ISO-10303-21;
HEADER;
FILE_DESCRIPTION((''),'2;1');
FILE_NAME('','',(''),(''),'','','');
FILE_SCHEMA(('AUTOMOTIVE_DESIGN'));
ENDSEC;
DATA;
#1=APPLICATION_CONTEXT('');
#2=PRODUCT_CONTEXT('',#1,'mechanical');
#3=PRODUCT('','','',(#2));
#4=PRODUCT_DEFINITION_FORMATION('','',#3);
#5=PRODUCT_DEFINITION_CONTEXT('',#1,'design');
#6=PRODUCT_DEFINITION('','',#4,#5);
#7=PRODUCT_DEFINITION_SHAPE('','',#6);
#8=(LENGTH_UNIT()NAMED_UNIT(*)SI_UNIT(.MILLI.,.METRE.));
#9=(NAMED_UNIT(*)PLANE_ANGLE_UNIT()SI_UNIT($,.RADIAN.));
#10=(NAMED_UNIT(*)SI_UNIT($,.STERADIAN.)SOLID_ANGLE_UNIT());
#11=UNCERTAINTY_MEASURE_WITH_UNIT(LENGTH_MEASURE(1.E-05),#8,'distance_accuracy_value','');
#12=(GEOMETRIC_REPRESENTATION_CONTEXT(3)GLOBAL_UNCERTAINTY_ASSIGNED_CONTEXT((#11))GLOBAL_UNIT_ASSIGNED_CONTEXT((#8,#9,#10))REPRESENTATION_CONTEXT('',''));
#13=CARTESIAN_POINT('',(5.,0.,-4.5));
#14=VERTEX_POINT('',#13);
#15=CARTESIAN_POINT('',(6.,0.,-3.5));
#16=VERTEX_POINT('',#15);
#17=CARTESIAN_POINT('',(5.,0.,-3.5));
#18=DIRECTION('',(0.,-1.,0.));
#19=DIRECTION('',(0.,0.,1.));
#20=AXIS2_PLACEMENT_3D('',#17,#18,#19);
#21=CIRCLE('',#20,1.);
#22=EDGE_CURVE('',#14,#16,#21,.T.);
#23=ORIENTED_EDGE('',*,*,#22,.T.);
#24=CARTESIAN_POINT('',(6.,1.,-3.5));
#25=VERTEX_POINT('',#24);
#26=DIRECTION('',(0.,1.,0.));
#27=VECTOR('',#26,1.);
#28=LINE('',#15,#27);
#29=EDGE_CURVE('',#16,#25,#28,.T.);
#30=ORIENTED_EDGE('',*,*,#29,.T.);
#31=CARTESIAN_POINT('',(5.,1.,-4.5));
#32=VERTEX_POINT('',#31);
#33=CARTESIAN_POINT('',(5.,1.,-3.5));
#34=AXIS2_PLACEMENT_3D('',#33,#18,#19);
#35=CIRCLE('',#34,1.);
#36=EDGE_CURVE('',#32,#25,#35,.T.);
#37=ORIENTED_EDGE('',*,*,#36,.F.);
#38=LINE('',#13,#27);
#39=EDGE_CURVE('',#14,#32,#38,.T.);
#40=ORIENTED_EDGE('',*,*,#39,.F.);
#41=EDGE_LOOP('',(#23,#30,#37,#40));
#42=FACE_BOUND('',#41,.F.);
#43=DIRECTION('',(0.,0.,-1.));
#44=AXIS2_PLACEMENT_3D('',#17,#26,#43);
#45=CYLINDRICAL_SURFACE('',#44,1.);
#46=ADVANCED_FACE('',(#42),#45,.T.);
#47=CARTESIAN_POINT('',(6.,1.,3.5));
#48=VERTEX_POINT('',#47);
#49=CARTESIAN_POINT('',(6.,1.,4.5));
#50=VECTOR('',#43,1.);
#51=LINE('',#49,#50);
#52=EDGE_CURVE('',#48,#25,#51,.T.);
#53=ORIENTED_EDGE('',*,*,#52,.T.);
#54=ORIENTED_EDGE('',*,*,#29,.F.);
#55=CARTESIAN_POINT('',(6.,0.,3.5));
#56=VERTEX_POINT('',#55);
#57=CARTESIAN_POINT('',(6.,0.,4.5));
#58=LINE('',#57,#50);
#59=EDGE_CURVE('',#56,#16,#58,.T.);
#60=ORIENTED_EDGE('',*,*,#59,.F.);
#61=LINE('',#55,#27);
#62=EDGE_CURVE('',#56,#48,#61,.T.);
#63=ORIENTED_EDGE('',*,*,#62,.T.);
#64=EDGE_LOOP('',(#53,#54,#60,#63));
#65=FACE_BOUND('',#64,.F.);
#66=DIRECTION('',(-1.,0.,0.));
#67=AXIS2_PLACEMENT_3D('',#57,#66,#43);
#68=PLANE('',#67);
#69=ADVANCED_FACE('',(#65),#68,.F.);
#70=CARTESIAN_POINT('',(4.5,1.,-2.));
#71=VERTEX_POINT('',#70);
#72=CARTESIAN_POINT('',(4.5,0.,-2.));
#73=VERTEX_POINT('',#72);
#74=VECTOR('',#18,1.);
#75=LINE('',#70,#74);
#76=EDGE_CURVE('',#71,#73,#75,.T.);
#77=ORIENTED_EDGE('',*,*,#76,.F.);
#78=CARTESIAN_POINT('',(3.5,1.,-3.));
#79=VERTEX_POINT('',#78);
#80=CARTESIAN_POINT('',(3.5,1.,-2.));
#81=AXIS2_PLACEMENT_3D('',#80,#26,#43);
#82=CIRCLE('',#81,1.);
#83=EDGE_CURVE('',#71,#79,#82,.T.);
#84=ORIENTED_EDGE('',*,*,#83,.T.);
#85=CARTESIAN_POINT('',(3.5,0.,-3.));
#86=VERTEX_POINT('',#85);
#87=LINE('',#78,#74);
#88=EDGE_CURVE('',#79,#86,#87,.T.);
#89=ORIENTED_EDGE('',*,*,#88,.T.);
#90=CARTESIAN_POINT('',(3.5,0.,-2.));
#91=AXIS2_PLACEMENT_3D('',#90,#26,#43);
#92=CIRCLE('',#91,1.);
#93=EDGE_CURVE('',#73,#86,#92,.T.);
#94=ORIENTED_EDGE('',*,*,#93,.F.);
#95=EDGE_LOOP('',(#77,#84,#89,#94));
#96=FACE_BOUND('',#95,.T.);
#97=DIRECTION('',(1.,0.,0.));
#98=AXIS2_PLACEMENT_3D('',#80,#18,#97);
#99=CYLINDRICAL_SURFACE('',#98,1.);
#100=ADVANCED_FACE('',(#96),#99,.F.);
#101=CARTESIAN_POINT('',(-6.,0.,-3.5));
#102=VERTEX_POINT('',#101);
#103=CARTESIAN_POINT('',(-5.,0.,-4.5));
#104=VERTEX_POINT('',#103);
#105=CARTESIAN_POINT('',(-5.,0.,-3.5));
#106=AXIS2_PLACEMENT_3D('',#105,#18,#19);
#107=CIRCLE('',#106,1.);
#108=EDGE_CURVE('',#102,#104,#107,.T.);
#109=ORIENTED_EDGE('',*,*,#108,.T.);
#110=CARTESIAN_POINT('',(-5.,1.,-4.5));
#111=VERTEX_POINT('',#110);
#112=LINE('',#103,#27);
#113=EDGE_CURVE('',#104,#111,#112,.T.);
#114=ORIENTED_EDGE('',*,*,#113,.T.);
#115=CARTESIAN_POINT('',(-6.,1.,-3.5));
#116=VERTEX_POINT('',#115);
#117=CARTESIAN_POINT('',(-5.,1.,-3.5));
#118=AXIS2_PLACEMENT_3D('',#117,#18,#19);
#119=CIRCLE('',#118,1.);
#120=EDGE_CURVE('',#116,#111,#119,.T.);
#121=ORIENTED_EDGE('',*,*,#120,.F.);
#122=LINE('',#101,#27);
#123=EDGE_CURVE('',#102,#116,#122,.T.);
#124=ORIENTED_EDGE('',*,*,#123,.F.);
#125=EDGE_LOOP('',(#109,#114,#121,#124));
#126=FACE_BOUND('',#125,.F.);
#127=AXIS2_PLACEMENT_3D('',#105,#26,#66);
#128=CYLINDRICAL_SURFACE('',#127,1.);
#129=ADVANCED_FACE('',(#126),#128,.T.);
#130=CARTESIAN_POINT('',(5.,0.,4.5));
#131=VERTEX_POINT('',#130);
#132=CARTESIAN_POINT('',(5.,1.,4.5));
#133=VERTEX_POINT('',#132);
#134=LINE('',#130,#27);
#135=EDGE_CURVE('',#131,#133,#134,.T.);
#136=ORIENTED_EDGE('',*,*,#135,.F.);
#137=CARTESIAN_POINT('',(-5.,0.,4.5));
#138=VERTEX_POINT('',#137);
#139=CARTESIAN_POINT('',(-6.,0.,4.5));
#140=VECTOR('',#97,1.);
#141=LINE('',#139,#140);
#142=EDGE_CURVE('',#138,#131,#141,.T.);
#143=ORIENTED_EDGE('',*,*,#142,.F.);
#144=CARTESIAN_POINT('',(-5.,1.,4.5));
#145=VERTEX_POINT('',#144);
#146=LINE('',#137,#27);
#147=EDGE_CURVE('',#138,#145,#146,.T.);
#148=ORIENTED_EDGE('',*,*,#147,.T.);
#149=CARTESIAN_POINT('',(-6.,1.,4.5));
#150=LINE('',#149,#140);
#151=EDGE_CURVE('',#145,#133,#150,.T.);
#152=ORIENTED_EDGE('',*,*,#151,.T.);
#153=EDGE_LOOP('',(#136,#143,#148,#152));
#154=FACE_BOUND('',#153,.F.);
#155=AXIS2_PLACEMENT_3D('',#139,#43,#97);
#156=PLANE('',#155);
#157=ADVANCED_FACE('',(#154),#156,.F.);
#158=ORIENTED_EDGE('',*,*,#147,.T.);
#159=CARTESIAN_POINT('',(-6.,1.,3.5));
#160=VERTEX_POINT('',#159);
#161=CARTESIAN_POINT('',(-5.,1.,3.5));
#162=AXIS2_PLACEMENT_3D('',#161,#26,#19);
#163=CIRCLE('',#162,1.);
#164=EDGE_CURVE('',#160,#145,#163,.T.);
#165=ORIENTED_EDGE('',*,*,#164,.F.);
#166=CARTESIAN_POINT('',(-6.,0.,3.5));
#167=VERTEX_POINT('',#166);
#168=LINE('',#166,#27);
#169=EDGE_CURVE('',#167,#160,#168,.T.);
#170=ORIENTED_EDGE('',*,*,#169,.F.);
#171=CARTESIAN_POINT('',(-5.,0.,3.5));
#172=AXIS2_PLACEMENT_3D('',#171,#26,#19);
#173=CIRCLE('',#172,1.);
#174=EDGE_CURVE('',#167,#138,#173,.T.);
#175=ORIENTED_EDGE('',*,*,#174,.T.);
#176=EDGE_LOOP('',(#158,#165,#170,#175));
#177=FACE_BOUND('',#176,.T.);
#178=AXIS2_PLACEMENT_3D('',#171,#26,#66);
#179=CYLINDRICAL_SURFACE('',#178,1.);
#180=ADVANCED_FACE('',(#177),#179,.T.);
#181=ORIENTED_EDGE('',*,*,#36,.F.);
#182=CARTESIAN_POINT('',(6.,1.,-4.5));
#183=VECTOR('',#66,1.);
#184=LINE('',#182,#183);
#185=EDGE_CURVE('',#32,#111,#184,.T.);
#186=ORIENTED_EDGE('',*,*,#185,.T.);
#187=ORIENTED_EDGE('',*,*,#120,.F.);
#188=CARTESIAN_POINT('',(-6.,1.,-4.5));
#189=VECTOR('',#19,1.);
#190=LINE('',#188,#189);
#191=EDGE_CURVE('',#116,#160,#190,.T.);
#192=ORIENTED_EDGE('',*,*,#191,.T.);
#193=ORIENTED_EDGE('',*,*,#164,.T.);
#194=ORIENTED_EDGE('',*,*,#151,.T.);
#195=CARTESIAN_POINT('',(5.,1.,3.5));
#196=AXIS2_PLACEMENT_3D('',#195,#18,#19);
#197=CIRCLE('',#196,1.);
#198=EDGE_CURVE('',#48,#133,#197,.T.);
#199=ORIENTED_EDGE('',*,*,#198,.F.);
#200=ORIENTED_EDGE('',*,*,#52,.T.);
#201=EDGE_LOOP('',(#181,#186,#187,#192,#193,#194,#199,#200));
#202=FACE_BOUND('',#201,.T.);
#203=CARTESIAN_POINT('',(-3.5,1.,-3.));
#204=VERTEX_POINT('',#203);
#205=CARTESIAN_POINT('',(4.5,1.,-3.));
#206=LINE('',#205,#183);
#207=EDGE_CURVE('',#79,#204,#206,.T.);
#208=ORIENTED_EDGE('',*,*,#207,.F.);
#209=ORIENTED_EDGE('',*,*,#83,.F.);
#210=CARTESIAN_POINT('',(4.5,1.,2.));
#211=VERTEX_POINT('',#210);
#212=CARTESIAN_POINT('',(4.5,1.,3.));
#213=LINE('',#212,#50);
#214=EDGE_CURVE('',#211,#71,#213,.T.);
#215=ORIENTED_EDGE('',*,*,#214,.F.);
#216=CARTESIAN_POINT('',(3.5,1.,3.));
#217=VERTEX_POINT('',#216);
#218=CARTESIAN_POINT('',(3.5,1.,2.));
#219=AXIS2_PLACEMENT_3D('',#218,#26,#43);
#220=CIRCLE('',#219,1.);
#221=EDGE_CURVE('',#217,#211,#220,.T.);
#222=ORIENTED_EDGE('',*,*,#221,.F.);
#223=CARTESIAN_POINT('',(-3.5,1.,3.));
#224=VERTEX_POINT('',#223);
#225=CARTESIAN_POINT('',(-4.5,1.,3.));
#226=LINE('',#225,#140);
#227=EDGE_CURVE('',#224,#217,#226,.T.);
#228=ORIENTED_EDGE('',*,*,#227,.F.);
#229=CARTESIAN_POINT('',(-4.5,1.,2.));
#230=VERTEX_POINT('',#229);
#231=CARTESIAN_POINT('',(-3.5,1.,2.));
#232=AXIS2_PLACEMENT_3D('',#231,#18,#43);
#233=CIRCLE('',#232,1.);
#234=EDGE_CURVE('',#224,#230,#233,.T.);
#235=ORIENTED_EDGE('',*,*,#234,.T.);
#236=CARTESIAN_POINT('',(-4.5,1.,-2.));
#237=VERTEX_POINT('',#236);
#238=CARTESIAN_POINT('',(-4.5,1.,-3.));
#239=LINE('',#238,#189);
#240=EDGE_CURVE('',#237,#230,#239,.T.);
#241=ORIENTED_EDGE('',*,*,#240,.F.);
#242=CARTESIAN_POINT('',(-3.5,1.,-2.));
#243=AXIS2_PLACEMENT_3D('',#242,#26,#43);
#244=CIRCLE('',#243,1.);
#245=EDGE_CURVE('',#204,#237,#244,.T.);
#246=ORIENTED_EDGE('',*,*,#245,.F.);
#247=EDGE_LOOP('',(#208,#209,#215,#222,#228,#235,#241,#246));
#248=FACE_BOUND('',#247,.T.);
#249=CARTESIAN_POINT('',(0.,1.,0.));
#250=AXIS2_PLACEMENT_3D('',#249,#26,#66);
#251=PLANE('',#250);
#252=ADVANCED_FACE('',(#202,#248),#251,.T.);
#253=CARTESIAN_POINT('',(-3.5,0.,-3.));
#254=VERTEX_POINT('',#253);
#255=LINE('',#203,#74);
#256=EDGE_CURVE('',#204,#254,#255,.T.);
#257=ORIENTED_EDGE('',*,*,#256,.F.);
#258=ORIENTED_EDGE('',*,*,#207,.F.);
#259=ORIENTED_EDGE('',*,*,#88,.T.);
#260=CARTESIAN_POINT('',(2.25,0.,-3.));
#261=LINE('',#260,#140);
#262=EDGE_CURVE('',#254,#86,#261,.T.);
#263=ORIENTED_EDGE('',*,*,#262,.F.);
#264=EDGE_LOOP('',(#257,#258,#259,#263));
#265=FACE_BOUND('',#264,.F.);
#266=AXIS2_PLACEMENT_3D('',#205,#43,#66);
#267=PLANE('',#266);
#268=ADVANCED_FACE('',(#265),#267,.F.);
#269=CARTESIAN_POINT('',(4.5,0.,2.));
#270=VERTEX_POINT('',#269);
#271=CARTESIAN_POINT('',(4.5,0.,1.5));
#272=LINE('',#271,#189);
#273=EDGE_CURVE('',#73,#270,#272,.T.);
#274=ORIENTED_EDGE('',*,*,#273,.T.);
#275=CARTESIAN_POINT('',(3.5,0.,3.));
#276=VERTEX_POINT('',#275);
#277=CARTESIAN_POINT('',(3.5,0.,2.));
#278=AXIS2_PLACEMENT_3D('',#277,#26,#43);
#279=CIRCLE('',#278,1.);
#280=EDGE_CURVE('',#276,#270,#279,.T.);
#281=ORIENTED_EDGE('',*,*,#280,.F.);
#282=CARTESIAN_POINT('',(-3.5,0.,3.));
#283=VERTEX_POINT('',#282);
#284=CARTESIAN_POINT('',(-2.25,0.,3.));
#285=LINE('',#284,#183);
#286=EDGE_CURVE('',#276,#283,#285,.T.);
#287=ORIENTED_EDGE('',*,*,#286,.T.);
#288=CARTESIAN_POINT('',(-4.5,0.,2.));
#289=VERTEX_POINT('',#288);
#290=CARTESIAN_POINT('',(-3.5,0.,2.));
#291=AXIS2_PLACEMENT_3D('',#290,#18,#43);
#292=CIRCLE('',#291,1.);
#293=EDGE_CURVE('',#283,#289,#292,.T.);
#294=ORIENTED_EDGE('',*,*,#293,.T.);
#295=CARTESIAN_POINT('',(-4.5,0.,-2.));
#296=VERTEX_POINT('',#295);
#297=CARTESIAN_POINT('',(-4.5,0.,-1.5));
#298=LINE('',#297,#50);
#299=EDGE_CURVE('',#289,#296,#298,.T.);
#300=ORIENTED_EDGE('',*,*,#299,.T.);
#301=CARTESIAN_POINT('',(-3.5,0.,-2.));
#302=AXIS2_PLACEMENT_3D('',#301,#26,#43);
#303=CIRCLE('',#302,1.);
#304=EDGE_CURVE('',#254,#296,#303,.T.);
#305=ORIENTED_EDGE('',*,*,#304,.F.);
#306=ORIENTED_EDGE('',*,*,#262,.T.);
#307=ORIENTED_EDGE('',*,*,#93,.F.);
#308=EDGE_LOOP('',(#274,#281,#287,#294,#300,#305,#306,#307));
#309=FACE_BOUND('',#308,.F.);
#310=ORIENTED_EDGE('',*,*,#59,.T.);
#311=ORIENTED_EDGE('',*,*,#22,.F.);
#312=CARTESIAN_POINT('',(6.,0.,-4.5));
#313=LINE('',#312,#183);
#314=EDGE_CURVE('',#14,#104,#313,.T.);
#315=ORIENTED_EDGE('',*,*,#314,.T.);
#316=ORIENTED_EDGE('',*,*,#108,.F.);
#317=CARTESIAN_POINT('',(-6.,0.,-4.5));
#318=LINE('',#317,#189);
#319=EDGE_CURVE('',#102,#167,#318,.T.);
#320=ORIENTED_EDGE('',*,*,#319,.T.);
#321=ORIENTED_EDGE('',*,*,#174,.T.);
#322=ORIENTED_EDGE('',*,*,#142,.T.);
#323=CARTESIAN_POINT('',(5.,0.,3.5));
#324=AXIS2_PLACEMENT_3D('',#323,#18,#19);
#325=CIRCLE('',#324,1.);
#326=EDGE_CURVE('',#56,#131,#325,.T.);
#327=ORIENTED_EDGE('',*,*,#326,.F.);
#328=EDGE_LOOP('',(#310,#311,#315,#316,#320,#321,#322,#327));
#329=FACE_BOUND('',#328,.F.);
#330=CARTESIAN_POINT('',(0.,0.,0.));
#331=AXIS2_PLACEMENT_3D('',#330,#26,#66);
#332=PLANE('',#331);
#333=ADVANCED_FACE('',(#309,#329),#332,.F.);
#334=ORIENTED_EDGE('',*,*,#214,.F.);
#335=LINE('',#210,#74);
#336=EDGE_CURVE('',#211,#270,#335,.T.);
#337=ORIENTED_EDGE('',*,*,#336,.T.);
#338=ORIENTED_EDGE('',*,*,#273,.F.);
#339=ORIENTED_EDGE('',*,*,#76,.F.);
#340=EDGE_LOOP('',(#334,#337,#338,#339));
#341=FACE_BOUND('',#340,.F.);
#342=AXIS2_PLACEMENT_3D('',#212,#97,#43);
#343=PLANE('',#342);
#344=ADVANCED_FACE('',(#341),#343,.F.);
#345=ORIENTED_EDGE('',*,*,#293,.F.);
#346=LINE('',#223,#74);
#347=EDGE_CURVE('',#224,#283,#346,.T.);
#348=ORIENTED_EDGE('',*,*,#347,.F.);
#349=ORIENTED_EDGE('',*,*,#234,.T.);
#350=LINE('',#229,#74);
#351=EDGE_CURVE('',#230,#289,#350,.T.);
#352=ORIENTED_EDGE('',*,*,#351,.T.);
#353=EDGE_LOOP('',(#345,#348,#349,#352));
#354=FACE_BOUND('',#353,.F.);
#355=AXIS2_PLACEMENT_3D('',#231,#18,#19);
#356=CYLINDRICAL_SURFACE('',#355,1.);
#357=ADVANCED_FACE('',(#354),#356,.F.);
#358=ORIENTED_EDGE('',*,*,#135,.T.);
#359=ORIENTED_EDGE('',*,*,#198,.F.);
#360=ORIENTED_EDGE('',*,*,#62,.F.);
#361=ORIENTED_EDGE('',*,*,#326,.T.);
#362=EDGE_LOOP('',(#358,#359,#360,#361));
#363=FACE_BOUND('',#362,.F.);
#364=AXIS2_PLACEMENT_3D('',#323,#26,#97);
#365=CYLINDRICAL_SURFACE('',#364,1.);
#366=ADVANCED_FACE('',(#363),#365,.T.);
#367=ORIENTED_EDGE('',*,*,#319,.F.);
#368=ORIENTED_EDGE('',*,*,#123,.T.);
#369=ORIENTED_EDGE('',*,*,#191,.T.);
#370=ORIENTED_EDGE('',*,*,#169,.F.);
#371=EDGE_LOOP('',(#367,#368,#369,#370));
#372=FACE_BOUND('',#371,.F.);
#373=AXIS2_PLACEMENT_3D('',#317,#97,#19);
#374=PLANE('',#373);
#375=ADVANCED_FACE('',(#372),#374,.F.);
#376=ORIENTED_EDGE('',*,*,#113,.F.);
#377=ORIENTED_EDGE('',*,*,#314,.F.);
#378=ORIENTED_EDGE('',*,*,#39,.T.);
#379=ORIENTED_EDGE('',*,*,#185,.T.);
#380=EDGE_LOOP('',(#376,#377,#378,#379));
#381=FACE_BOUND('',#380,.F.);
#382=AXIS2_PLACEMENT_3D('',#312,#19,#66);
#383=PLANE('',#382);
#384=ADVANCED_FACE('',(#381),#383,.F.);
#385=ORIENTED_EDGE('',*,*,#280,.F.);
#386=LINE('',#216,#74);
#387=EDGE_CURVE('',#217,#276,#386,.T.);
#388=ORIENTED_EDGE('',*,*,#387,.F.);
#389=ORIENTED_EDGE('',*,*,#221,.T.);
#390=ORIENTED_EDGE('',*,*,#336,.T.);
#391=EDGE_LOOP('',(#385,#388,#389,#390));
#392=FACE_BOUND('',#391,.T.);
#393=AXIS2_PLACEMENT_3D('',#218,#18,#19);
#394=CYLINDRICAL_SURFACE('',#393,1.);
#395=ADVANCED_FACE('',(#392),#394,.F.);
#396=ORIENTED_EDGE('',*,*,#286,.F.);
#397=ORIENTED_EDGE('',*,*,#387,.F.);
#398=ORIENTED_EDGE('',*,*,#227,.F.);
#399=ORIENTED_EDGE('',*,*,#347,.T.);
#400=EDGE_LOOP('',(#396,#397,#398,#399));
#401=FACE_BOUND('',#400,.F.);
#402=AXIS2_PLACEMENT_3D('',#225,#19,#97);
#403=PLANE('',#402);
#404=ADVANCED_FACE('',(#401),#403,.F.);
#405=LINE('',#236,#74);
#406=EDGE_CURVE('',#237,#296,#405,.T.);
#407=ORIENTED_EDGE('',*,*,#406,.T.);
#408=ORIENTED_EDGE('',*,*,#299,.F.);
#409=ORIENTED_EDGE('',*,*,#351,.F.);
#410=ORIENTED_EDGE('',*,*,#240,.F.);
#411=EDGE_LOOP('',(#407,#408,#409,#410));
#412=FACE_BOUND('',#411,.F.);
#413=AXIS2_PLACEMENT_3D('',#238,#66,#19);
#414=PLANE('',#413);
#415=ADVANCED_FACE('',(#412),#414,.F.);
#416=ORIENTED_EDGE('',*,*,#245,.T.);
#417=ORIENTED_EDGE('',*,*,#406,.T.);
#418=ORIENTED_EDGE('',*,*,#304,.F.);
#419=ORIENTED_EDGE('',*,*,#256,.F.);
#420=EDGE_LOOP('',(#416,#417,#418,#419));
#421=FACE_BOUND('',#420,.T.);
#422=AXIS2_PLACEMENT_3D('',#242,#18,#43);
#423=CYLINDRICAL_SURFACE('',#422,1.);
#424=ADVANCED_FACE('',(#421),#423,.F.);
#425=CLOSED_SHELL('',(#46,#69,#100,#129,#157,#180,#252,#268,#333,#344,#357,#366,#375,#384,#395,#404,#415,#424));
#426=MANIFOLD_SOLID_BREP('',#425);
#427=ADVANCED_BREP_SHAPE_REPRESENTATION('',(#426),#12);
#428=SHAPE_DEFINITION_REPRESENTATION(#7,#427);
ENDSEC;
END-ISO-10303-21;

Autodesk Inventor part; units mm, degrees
ref_plane "YZ Plane" through (0, 0, 0) normal (1, 0, 0) x (0, 1, 0)
ref_plane "XZ Plane" through (0, 0, 0) normal (0, 1, 0) x (-1, 0, 0)
ref_plane "XY Plane" through (0, 0, 0) normal (0, 0, 1) x (1, 0, 0)
sketch "Sketch1" plane through (0, 0, 0) normal (0, 1, 0) x (-1, 0, 0)
  line L0 (6, 4.5) -> (-6, 4.5)
  line L1 (-6, 4.5) -> (-6, -4.5)
  line L2 (-6, -4.5) -> (6, -4.5)
  line L3 (6, -4.5) -> (6, 4.5)
  line L4 (6, 4.5) -> (-6, -4.5) construction
  line L5 (-6, 4.5) -> (6, -4.5) construction
  point P0 (0, 0)
  dimension "d4" = 12
  dimension "d5" = 9
extrude "Extrusion1" add sketch "Sketch1" along normal blind 1
sketch "Sketch2" plane through (0, 1, 0) normal (0, 1, 0) x (1, 0, 0)
  point P0 (0, 0)
fillet "Fillet1" radius 1 4 edges at (6, 0.5, 4.5) (6, 0.5, -4.5) (-6, 0.5, -4.5) (-6, 0.5, 4.5)
sketch "Sketch3" plane through (0, 1, 0) normal (0, 1, 0) x (1, 0, 0)
  arc A0 (-6, -3.5) -> (-5, -4.5) centre (-5, -3.5) ccw projected
  line L0 (-5, -4.5) -> (5, -4.5) projected
  arc A1 (5, -4.5) -> (6, -3.5) centre (5, -3.5) ccw projected
  line L1 (6, -3.5) -> (6, 3.5) projected
  arc A2 (6, 3.5) -> (5, 4.5) centre (5, 3.5) ccw projected
  line L2 (5, 4.5) -> (-5, 4.5) projected
  arc A3 (-5, 4.5) -> (-6, 3.5) centre (-5, 3.5) ccw projected
  line L3 (-6, 3.5) -> (-6, -3.5) projected
  line L4 (-4.5, -3) -> (4.5, -3)
  line L5 (4.5, -3) -> (4.5, 3)
  line L6 (4.5, 3) -> (-4.5, 3)
  line L7 (-4.5, 3) -> (-4.5, -3)
  point P0 (0, 0)
  dimension "d7" = 1.5
extrude "Extrusion2" cut sketch "Sketch3" against normal up to next contours L7 L6 L5 L4
fillet "Fillet2" radius 1 4 edges at (-4.5, 0.5, 3) (-4.5, 0.5, -3) (4.5, 0.5, 3) (4.5, 0.5, -3)
properties part number "Spacer_3DPrint"
